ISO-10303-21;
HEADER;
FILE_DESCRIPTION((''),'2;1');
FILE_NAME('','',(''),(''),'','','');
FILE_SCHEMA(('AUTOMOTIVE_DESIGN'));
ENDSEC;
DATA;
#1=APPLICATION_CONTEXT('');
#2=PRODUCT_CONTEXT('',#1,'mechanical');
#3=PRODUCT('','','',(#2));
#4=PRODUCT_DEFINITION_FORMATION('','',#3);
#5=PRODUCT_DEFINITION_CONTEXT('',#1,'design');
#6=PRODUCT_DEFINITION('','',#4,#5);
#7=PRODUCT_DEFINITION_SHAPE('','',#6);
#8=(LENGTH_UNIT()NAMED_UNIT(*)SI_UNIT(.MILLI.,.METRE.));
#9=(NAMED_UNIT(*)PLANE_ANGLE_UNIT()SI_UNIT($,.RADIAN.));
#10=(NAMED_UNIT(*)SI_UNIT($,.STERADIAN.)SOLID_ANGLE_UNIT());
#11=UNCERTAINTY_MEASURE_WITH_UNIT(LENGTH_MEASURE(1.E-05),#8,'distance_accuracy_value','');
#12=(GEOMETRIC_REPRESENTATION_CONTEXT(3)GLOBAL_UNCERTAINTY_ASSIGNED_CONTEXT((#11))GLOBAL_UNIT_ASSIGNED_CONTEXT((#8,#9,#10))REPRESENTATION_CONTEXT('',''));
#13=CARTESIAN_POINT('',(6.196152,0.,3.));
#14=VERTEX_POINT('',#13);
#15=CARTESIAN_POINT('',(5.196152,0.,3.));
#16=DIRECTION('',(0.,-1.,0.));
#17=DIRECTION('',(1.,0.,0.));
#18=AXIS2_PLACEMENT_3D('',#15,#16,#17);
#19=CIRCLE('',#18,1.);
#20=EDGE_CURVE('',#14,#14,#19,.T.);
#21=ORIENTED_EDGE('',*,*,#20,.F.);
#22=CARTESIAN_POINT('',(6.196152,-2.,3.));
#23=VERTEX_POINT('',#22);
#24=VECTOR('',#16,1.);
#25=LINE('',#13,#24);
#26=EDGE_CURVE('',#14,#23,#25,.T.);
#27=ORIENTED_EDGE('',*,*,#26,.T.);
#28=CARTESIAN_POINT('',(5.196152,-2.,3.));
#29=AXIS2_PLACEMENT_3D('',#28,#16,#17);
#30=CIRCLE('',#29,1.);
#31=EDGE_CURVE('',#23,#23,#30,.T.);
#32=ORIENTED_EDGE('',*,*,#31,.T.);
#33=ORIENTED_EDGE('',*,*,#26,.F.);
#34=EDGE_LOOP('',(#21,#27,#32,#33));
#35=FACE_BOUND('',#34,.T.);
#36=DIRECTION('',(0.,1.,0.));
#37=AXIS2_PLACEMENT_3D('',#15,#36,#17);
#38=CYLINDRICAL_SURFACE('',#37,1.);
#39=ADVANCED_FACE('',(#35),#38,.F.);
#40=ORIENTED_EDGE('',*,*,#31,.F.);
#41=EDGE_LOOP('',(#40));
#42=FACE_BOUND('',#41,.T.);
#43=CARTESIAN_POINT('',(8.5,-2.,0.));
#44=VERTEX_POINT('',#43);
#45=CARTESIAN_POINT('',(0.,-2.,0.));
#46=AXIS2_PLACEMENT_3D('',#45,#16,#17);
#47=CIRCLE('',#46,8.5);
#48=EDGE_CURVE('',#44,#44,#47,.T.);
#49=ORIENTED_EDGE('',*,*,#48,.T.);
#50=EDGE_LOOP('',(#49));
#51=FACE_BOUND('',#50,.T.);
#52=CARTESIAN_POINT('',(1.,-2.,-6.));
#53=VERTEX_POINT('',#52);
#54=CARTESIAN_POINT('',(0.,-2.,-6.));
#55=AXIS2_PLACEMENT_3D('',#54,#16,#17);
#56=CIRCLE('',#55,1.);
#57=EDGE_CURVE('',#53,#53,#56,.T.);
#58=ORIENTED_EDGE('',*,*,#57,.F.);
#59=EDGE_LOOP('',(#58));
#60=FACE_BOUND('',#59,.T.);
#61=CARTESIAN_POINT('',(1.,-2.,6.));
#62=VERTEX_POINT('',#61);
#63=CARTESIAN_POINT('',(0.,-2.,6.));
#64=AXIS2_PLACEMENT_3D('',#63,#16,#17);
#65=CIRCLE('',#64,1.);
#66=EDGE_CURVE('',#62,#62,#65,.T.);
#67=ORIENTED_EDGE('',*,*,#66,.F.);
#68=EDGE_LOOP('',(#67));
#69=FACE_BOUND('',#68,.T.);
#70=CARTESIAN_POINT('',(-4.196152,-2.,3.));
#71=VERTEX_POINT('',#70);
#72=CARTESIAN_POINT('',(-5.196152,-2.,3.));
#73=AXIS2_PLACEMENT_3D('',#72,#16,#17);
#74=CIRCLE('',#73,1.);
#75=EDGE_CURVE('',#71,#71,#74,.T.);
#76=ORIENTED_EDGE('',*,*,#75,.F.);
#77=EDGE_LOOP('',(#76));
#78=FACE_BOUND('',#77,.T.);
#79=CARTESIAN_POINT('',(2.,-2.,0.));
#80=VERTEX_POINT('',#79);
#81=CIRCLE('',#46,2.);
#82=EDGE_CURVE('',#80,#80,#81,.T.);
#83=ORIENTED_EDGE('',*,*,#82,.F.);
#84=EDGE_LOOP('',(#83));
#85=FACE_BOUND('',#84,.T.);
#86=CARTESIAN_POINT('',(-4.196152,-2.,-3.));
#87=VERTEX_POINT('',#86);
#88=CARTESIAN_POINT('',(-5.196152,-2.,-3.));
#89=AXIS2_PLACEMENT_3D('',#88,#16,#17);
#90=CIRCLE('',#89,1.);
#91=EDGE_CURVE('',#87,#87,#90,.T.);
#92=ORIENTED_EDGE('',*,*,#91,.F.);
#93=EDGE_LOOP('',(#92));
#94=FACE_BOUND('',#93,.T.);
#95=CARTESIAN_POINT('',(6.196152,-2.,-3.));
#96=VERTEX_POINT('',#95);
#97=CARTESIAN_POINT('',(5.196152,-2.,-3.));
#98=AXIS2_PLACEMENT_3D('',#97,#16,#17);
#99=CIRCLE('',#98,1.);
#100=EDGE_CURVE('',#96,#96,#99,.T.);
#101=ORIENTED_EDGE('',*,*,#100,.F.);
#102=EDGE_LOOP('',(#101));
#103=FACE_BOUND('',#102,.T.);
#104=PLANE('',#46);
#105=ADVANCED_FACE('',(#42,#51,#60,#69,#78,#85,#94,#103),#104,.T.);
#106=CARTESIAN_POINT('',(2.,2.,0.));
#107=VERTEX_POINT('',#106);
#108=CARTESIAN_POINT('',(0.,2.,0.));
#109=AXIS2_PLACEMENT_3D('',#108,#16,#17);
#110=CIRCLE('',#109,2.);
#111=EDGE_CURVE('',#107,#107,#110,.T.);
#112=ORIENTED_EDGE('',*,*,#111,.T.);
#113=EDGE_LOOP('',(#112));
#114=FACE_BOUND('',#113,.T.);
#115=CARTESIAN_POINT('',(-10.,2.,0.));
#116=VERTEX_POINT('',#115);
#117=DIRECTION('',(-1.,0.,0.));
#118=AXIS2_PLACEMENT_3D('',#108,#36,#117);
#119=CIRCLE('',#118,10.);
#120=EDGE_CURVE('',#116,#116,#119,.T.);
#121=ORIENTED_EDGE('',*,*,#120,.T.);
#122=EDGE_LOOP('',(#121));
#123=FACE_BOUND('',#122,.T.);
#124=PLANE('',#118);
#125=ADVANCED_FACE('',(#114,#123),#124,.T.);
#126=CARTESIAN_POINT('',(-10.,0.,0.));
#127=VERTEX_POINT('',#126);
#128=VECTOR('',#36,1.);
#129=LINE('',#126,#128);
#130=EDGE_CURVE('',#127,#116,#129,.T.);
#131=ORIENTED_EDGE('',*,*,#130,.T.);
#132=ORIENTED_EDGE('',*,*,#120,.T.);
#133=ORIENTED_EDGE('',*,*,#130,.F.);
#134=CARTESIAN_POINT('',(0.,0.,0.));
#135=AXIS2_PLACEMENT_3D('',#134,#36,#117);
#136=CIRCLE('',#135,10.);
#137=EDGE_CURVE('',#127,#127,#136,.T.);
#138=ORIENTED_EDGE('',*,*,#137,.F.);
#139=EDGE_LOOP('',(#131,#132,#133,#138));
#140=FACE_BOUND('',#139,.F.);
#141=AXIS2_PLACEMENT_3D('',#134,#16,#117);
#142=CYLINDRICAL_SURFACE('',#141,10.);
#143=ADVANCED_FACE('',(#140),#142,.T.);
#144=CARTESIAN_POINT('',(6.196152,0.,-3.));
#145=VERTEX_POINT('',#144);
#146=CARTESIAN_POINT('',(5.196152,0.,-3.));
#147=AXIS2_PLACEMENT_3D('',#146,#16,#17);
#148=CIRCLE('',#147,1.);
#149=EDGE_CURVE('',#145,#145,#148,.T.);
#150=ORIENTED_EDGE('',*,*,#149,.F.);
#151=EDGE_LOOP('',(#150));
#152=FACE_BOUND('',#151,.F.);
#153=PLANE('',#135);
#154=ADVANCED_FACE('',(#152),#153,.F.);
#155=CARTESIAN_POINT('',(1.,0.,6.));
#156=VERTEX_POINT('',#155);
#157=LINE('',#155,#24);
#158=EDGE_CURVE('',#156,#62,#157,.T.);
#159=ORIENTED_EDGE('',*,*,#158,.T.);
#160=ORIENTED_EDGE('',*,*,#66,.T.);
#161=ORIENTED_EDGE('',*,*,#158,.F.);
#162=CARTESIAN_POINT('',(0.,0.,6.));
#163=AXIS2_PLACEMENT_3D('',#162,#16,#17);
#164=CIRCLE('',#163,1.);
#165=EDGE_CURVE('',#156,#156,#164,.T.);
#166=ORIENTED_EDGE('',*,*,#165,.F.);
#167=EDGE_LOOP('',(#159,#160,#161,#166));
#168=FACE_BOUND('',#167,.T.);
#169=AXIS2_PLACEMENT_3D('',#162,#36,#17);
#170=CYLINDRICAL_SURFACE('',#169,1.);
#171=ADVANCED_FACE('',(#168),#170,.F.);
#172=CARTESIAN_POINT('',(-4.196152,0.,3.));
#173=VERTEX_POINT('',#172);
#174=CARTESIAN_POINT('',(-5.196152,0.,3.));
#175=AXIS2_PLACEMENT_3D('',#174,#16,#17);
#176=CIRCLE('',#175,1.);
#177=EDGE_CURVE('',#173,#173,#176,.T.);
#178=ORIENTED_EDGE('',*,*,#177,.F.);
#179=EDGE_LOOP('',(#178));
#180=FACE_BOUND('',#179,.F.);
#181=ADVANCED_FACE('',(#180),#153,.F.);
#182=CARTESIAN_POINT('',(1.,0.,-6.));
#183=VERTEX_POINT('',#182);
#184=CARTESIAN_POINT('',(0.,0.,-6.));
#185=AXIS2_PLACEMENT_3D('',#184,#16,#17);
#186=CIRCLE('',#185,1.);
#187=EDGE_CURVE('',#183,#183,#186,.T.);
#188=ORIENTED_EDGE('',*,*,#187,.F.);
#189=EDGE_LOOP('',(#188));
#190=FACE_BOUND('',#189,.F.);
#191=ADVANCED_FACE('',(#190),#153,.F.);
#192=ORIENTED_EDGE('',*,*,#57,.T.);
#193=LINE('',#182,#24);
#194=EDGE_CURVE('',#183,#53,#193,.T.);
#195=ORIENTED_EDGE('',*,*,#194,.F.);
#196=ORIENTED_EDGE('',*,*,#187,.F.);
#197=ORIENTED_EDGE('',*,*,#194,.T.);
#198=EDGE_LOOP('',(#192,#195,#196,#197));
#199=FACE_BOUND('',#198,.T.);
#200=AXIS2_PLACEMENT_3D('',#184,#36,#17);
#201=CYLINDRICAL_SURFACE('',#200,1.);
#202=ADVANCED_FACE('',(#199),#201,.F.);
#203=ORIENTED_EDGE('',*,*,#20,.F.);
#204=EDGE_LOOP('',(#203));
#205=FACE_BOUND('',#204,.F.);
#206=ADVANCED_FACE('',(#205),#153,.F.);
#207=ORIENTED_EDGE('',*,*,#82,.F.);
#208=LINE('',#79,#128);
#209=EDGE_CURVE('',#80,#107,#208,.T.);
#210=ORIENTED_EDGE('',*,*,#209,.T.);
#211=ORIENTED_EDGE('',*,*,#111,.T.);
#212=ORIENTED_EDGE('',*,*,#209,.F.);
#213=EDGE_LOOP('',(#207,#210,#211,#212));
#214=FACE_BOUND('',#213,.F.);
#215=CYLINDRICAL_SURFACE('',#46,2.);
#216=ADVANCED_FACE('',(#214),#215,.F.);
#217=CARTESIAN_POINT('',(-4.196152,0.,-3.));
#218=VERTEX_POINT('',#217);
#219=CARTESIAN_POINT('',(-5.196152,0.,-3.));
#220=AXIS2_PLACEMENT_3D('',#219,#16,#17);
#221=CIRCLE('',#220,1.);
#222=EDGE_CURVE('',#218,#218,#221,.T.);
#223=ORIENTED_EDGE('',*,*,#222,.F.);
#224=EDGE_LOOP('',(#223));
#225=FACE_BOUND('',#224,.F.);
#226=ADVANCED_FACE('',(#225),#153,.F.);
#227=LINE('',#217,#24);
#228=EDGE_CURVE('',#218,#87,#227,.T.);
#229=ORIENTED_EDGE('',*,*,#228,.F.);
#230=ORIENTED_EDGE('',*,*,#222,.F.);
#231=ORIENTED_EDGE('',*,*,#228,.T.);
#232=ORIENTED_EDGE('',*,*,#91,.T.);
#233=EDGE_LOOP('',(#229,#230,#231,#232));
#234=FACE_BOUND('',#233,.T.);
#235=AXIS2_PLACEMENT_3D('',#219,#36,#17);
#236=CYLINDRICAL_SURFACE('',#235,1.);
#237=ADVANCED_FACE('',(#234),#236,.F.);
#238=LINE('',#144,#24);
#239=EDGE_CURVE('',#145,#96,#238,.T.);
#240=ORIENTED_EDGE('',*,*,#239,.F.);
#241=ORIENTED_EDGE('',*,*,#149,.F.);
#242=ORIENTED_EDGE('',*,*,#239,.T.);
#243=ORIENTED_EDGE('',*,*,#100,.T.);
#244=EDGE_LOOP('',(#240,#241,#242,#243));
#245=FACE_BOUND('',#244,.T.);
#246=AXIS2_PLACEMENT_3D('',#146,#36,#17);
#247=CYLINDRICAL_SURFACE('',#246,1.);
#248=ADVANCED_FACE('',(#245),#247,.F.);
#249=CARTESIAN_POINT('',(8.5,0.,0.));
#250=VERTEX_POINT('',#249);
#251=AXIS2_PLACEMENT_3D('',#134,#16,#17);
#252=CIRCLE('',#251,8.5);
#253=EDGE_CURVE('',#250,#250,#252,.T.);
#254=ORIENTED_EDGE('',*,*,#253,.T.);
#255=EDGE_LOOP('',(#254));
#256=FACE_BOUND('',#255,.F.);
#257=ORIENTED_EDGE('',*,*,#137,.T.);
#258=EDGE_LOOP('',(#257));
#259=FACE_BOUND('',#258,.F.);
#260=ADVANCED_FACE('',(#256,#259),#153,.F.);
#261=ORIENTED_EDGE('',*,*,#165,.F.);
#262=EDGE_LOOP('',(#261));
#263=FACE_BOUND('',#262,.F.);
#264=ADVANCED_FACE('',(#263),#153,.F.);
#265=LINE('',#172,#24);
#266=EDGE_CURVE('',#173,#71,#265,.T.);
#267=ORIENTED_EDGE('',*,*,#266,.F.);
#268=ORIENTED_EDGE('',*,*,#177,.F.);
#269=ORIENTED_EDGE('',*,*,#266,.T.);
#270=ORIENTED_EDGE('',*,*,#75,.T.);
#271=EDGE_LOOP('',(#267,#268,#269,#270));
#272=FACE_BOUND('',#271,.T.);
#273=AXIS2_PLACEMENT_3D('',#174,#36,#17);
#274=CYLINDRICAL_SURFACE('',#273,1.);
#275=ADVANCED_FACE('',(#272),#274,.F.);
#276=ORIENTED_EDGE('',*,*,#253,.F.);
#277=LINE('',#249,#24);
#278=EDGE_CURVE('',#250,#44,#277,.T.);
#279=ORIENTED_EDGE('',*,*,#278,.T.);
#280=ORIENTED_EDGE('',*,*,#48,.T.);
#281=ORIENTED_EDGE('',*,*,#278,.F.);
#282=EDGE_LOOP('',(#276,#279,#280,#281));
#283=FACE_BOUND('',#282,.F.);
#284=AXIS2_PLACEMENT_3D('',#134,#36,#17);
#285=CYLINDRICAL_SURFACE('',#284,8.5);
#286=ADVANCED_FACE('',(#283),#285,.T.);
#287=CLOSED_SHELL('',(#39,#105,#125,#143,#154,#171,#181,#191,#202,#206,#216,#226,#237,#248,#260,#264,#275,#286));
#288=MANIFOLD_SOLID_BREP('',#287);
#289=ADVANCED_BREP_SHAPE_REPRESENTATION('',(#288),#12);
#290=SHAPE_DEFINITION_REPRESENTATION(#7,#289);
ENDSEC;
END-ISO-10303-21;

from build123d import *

# Parameters (mm, degrees)
F0_R     = 8.5
F0_R_2   = 1
F1_DEPTH = 2
F2_R     = 10
F3_DEPTH = 2
F4_R     = 2
F5_DEPTH = 4.001


with BuildPart() as f1:
    # F0 (on Front) → F1 (new body)
    with BuildSketch(Plane.XZ):
        Circle(F0_R)
        with Locations((-5.196152, -3)):
            Circle(F0_R_2, mode=Mode.SUBTRACT)
        with Locations((0, -6)):
            Circle(F0_R_2, mode=Mode.SUBTRACT)
        with Locations((5.196152, -3)):
            Circle(F0_R_2, mode=Mode.SUBTRACT)
        with Locations((-5.196152, 3)):
            Circle(F0_R_2, mode=Mode.SUBTRACT)
        with Locations((5.196152, 3)):
            Circle(F0_R_2, mode=Mode.SUBTRACT)
        with Locations((0, 6)):
            Circle(F0_R_2, mode=Mode.SUBTRACT)
    extrude(amount=F1_DEPTH)

    # F2 (on face) → F3 (join)
    with BuildSketch(Plane(origin=(0, 0, 0), x_dir=(-1, 0, 0), z_dir=(0, 1, 0))):
        Circle(F2_R)
    extrude(amount=F3_DEPTH)

    # F4 (on face) → F5 (cut, through all)
    with BuildSketch(Plane.XZ.offset(2)):
        Circle(F4_R)
    extrude(amount=-F5_DEPTH, mode=Mode.SUBTRACT)


solid = f1.part
